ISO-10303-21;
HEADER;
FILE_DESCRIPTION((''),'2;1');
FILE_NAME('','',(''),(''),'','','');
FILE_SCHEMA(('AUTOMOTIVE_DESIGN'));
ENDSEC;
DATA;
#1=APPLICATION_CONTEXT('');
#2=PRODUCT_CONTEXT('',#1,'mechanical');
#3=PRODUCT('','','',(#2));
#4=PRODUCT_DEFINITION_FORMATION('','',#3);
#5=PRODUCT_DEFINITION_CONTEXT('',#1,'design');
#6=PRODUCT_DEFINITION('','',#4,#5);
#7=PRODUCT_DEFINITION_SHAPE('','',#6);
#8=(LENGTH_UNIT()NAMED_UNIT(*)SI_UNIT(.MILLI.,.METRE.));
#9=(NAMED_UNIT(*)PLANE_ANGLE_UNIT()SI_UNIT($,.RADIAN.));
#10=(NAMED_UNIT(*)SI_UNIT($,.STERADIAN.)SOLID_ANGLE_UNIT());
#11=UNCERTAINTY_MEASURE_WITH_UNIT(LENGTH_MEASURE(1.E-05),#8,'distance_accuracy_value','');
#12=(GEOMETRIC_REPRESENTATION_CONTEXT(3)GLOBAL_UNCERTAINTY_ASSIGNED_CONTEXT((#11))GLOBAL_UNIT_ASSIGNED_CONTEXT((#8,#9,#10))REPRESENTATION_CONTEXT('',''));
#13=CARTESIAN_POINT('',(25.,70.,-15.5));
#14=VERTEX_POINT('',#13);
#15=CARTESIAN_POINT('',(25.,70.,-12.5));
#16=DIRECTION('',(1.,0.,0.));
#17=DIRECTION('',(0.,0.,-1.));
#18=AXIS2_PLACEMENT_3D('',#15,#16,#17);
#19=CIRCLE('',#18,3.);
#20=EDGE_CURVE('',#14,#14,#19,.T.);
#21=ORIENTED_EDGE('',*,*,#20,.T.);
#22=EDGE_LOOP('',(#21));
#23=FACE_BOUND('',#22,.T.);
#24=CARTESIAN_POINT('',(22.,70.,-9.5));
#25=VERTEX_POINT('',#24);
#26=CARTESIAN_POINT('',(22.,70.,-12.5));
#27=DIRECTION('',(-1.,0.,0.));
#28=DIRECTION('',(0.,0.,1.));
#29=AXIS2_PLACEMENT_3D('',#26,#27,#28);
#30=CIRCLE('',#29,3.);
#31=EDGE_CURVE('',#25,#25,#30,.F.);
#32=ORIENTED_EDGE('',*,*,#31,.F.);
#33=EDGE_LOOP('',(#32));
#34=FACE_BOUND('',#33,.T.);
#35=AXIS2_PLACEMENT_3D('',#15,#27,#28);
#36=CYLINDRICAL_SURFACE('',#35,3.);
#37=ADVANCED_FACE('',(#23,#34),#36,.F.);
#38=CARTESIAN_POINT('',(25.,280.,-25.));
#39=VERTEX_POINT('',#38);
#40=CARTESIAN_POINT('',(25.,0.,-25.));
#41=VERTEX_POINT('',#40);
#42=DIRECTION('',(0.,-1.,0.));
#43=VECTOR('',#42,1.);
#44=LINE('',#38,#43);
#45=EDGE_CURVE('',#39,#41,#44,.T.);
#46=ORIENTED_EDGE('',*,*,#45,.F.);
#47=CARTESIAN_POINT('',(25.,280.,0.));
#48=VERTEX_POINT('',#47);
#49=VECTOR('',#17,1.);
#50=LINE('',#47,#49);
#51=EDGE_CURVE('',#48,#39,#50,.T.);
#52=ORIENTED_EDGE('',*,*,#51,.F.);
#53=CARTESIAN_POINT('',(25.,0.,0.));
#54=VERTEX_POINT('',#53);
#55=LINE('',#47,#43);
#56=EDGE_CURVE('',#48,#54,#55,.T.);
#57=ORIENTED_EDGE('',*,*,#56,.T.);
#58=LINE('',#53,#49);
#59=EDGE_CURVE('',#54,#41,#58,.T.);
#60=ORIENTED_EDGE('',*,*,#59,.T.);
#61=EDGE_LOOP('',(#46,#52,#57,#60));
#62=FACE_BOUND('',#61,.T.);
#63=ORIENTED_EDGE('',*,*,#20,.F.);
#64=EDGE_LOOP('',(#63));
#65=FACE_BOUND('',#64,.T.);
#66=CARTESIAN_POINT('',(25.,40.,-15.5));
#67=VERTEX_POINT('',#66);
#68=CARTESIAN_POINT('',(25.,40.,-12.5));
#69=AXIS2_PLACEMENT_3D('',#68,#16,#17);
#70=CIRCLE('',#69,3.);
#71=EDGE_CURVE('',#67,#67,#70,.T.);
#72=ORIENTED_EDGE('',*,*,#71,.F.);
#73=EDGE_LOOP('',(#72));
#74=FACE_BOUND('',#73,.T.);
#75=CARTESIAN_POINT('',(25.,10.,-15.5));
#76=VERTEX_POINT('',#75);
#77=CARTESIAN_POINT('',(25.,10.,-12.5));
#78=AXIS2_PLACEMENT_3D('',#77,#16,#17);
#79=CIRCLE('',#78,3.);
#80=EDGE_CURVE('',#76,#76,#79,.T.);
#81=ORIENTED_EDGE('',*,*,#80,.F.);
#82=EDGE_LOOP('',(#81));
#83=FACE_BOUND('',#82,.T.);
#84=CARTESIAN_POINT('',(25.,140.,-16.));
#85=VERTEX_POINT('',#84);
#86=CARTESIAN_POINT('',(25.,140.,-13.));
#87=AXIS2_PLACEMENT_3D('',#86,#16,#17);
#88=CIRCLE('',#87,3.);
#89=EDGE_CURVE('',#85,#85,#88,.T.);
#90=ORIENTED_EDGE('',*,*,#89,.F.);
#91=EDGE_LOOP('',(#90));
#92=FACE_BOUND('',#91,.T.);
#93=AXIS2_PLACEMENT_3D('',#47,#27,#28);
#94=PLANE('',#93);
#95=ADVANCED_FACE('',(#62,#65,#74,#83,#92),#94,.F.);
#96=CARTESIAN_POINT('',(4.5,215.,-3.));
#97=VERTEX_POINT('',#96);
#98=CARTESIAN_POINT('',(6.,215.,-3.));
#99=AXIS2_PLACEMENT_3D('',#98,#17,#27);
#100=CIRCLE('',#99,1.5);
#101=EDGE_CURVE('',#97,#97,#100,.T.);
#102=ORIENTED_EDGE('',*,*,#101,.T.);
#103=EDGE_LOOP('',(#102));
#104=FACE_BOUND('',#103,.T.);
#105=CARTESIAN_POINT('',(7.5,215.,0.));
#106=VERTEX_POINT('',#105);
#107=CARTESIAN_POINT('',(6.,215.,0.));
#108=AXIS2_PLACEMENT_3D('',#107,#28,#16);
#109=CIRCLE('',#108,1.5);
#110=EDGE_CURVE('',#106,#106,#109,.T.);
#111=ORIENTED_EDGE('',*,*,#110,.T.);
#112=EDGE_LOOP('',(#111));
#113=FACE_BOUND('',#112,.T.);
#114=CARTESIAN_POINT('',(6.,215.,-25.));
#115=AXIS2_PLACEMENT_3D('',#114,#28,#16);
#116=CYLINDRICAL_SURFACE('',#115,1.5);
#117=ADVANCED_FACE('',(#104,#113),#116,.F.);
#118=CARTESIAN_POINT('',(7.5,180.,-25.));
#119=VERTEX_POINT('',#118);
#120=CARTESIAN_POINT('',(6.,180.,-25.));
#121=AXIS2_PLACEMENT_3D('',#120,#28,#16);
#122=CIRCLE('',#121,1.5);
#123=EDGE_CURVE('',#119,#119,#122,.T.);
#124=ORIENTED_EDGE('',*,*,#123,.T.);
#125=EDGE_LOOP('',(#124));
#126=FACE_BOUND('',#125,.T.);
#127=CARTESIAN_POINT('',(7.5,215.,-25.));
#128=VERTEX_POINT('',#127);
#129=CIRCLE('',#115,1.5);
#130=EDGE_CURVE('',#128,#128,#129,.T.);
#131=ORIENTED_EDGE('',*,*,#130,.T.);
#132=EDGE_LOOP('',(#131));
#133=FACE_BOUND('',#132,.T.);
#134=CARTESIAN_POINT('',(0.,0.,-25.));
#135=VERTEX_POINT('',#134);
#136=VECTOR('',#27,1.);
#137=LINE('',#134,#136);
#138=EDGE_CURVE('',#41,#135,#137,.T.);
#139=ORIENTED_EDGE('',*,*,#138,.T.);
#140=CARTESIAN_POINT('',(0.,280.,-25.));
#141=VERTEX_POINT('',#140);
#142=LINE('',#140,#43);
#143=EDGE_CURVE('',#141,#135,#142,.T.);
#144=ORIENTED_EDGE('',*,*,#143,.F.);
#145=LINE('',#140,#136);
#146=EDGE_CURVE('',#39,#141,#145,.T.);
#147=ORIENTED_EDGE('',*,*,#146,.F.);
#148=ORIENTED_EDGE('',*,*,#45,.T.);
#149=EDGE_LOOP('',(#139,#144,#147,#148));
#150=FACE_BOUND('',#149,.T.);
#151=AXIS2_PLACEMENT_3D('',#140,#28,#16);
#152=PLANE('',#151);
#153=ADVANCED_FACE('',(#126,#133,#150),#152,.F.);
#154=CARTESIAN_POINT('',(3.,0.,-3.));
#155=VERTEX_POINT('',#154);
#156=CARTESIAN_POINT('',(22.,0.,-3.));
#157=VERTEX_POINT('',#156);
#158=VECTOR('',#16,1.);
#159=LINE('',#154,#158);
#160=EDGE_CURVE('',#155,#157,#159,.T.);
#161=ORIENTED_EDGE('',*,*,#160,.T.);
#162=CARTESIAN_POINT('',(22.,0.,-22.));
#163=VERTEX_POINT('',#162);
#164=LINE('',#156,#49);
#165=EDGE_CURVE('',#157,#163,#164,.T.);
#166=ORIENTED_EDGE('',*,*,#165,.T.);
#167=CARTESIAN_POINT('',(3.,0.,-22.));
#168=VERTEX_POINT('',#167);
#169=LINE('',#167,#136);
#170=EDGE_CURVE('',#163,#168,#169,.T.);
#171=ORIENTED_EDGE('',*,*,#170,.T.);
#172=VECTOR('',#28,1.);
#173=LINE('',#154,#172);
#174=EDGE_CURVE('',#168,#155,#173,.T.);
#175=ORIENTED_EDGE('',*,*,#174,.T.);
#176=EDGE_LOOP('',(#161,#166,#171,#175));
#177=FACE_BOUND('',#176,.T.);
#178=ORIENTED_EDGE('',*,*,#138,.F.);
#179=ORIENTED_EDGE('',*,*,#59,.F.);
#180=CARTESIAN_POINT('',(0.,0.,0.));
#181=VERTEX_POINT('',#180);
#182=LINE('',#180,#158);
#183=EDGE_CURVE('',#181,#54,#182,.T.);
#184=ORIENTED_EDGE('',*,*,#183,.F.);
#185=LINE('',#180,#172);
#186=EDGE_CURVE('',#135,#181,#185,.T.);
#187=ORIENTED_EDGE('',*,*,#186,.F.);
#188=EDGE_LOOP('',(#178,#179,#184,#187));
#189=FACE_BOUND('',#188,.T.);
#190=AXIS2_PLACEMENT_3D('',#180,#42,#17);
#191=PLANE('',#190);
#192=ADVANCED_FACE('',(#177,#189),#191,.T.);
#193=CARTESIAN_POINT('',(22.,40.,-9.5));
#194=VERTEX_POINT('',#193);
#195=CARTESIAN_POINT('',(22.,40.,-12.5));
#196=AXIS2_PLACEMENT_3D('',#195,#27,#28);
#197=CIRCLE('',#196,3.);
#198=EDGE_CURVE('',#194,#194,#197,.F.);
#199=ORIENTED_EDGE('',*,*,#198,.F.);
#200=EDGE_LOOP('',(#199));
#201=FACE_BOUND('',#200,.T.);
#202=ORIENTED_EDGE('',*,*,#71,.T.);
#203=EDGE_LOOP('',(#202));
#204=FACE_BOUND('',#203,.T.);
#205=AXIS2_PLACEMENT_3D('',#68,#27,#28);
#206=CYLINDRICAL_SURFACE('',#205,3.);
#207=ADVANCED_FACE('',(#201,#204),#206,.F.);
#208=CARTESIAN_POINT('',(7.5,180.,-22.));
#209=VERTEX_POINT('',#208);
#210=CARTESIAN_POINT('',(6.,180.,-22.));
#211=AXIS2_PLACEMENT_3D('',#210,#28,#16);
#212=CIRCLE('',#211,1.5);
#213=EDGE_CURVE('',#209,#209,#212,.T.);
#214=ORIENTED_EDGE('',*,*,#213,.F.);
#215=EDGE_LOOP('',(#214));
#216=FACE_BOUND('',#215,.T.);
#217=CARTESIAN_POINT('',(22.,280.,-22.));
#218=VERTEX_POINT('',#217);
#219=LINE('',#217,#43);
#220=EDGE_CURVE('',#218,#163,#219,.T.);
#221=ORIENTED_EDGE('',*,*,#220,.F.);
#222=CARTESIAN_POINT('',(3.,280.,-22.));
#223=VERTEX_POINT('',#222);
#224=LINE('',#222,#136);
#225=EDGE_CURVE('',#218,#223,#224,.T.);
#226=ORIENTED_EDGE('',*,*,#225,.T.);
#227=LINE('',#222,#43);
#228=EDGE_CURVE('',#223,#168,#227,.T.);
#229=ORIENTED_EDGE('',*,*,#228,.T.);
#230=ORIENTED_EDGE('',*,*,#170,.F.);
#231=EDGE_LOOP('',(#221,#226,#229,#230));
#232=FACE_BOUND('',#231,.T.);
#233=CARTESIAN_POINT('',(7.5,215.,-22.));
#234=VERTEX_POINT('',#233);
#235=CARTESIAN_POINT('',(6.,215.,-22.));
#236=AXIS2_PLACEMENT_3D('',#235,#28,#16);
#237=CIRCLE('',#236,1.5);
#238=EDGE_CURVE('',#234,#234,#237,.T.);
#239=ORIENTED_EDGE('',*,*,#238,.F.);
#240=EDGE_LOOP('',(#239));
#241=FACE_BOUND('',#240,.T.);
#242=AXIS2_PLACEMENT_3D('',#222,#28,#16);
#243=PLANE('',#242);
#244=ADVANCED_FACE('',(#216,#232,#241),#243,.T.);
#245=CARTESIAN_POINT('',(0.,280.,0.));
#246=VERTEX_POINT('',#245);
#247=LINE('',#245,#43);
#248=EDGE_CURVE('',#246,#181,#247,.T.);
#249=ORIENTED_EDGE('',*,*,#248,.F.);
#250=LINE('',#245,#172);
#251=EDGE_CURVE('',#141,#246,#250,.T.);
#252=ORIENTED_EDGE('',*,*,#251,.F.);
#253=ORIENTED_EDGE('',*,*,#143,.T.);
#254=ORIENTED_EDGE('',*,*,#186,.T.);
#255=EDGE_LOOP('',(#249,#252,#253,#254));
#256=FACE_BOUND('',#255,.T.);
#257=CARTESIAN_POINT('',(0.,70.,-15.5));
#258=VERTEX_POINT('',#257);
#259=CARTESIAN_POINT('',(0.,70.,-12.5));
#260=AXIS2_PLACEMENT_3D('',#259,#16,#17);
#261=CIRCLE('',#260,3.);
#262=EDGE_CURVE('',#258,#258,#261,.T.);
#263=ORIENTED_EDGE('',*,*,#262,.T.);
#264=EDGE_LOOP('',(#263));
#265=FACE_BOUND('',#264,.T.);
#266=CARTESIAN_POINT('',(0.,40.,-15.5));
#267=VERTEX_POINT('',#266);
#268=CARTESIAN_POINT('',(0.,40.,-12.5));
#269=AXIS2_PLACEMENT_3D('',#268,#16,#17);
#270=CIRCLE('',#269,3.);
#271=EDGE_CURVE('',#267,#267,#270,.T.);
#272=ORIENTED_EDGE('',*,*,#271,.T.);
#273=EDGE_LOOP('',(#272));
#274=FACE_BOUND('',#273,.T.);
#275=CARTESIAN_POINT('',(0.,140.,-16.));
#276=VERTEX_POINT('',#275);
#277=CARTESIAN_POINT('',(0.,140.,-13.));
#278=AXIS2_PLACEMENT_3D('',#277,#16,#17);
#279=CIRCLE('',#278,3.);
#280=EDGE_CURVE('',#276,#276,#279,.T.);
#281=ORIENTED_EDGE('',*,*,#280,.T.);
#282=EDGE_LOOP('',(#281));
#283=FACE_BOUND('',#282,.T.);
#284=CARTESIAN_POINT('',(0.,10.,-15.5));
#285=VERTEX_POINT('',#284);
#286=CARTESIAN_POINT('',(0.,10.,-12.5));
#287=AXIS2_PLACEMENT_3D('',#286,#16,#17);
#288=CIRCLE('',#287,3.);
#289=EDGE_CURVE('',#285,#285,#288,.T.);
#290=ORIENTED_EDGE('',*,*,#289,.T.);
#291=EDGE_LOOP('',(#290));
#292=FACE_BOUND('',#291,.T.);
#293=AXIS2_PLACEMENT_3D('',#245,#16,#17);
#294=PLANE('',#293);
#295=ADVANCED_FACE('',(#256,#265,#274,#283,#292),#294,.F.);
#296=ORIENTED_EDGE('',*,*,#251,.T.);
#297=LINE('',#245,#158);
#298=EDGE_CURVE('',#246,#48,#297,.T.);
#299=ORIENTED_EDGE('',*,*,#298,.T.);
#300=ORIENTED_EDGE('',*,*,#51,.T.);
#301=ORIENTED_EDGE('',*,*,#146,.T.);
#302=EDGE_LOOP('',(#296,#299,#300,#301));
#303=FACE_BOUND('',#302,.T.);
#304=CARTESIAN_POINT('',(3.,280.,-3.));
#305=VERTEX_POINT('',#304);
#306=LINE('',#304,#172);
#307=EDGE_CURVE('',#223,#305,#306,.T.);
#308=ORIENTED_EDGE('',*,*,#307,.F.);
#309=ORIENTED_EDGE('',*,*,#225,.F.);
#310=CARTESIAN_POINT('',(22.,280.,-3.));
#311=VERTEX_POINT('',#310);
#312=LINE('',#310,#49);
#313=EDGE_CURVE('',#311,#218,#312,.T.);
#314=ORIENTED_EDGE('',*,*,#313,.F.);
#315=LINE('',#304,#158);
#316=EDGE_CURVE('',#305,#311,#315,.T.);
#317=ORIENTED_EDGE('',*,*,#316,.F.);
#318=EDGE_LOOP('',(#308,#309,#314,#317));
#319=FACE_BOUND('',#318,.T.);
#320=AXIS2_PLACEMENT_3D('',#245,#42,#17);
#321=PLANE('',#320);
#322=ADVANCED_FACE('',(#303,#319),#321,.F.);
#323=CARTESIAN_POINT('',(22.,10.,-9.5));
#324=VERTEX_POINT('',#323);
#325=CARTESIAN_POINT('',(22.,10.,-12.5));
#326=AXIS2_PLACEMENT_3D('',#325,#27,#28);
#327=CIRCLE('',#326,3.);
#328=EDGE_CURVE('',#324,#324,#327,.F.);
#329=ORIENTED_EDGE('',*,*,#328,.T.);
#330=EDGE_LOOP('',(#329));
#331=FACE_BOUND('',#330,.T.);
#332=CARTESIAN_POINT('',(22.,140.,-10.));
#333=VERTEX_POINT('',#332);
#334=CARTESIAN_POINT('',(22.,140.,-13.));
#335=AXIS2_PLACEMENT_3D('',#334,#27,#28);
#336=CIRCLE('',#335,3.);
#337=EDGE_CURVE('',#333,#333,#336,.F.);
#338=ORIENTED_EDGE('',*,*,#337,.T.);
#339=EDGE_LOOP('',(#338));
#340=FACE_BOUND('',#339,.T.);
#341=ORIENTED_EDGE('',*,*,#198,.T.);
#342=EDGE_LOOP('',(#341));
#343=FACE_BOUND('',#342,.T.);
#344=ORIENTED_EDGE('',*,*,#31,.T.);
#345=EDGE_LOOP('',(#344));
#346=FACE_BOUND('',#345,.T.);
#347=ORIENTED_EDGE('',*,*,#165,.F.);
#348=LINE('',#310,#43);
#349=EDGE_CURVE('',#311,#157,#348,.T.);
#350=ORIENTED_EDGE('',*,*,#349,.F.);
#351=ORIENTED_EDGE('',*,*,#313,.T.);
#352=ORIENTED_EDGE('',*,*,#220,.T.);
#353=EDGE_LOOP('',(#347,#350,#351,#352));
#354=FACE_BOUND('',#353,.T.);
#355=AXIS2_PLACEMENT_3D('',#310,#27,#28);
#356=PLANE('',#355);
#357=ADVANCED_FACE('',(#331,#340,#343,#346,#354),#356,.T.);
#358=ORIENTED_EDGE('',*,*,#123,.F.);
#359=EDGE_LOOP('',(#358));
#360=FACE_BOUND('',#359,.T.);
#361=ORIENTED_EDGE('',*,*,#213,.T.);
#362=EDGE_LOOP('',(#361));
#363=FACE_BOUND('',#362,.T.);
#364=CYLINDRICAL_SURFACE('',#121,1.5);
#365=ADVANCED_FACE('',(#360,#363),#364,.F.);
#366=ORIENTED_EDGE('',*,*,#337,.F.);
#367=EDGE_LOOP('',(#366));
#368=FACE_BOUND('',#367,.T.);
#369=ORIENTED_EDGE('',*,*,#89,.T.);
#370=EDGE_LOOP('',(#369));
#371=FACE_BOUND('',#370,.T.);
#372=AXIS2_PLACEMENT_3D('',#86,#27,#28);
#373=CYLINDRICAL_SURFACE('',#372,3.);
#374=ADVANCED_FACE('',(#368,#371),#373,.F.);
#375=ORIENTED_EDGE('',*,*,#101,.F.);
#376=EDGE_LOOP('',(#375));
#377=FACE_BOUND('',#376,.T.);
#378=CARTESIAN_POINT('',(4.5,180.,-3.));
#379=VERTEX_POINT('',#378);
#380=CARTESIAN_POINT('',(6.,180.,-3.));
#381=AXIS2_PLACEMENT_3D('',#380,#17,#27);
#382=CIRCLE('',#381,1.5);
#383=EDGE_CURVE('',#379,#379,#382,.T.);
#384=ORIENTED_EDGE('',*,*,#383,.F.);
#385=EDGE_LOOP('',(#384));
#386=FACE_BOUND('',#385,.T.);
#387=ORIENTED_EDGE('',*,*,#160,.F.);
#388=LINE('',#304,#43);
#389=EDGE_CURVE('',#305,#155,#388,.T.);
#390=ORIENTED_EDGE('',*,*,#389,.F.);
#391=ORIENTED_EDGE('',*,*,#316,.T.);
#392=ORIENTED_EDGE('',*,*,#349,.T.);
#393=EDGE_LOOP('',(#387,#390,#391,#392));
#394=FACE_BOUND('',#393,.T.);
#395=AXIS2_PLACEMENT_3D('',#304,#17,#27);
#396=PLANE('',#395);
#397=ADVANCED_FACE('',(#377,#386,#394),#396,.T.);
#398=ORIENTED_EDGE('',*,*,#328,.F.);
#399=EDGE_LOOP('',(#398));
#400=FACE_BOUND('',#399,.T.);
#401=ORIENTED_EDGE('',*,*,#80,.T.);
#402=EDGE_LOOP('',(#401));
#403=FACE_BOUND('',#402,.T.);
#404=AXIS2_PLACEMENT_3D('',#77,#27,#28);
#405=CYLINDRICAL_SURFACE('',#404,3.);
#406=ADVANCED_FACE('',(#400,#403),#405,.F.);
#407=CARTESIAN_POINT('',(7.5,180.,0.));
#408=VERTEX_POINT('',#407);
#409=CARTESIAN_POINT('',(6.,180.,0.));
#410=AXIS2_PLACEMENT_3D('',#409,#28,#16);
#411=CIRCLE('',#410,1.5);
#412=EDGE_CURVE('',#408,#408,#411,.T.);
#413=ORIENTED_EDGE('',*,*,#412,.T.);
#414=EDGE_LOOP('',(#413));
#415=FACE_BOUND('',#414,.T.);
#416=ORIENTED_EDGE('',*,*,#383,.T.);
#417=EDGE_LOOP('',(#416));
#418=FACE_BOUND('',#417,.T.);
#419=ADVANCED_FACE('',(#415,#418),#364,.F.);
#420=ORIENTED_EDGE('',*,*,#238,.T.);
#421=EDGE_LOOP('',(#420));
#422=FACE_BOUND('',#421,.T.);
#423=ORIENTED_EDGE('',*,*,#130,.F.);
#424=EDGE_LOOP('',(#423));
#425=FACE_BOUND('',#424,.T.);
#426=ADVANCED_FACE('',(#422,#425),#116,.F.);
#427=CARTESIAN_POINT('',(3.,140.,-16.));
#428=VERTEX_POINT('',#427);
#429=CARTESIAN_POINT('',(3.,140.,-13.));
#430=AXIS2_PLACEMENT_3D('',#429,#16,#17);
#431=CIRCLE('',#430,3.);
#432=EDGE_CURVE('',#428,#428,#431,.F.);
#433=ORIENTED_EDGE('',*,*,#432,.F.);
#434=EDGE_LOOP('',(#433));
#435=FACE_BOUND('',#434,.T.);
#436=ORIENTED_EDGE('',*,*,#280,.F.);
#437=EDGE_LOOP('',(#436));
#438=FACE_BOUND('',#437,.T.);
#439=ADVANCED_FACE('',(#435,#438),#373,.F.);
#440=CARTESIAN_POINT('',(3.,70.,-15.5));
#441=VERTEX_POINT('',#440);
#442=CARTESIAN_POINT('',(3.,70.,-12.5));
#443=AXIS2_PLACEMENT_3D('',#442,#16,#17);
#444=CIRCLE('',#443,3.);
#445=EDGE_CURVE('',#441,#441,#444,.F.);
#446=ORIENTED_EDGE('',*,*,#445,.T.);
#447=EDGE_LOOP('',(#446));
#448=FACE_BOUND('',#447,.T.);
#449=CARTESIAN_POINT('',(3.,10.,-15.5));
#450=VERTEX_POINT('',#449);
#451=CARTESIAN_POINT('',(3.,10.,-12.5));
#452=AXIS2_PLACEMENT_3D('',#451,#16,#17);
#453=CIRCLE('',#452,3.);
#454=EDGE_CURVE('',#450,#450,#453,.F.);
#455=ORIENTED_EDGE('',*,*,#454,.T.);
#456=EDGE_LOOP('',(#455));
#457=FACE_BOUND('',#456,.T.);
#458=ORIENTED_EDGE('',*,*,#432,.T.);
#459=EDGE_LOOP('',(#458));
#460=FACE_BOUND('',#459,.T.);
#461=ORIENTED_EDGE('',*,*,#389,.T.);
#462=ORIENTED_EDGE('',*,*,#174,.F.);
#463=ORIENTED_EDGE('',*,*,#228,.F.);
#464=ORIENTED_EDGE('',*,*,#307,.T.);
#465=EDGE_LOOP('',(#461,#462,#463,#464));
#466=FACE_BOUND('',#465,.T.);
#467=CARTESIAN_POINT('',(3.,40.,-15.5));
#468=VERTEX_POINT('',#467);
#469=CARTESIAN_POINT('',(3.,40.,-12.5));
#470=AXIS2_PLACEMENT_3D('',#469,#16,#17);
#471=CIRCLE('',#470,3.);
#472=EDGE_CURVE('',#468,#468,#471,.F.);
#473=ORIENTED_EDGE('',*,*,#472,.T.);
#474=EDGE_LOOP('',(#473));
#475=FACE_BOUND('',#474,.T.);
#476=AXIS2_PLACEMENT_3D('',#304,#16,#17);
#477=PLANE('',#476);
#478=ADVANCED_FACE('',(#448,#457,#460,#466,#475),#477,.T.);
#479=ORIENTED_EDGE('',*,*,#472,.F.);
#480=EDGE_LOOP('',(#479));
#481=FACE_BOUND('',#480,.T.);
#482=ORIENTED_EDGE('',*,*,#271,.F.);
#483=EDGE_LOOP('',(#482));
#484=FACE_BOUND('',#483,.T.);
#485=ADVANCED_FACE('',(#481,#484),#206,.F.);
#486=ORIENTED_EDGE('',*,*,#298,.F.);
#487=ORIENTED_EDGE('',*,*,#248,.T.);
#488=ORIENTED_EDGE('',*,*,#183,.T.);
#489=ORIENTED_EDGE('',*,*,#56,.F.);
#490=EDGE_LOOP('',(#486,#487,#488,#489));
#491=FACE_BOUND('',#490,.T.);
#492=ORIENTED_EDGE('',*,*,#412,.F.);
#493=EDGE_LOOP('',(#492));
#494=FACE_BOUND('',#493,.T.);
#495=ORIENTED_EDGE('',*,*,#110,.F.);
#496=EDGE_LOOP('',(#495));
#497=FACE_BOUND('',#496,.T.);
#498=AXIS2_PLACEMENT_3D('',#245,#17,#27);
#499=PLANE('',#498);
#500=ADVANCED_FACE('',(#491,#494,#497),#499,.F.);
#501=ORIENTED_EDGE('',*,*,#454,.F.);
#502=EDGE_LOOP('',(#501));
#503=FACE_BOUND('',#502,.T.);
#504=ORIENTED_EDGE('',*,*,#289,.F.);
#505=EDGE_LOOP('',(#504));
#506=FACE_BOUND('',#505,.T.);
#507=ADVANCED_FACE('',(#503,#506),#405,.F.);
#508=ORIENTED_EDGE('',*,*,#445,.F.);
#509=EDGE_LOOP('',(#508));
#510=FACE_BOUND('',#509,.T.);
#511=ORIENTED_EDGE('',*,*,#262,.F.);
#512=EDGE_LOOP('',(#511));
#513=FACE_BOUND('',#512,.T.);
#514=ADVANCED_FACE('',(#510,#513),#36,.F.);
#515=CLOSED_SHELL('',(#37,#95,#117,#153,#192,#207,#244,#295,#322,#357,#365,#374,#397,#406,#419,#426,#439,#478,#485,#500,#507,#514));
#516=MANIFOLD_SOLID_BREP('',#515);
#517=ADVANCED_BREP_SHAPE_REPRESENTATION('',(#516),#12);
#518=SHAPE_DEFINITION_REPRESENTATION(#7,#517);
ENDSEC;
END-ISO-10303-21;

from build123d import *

# Parameters (mm, degrees)
SKETCH_1_W               = 25
SKETCH_1_H               = 25
SKETCH_1_W_2             = 19
SKETCH_1_H_2             = 19
EXTRUDE_1_DEPTH          = 280
SKETCH_2_R               = 3
CUT_EXTRUDE_1_DEPTH      = 283.223315833
CUT_EXTRUDE_2_DEPTH      = 283.223315833
CUT_EXTRUDE_2_DEPTH_BACK = 283.223315833
SKETCH_3_R               = 1.5


with BuildPart() as part:
    # 草图1 → 凸台-拉伸1 (new body)
    with BuildSketch(Plane(origin=(0, 0, 0), x_dir=(1, 0, 0), z_dir=(0, 1, 0))):
        with Locations((12.5, 12.5)):
            Rectangle(SKETCH_1_W, SKETCH_1_H)
        with Locations((12.5, 12.5)):
            Rectangle(SKETCH_1_W_2, SKETCH_1_H_2, mode=Mode.SUBTRACT)
    extrude(amount=EXTRUDE_1_DEPTH)

    # 草图2 → 切除-拉伸1 (cut, through all)
    with BuildSketch(Plane(origin=(0, 0, 0), x_dir=(0, 0, -1), z_dir=(1, 0, 0))):
        with Locations(Location((12.5, 10, 0), (0, 0, 180))):
            Circle(SKETCH_2_R)
        with Locations(Location((12.5, 40, 0), (0, 0, 180))):
            Circle(SKETCH_2_R)
        with Locations(Location((12.5, 70, 0), (0, 0, 180))):
            Circle(SKETCH_2_R)
        with Locations(Location((13, 140, 0), (0, 0, 180))):
            Circle(SKETCH_2_R)
    extrude(amount=CUT_EXTRUDE_1_DEPTH, mode=Mode.SUBTRACT)

    # 草图3 → 切除-拉伸2 (cut, two sides: drawn at the far end of the back side and taken through both)
    with BuildSketch(Plane.XY.offset(-CUT_EXTRUDE_2_DEPTH_BACK)):
        with Locations((6, 180)):
            Circle(SKETCH_3_R)
        with Locations((6, 215)):
            Circle(SKETCH_3_R)
    extrude(amount=CUT_EXTRUDE_2_DEPTH + CUT_EXTRUDE_2_DEPTH_BACK, mode=Mode.SUBTRACT)


solid = part.part
